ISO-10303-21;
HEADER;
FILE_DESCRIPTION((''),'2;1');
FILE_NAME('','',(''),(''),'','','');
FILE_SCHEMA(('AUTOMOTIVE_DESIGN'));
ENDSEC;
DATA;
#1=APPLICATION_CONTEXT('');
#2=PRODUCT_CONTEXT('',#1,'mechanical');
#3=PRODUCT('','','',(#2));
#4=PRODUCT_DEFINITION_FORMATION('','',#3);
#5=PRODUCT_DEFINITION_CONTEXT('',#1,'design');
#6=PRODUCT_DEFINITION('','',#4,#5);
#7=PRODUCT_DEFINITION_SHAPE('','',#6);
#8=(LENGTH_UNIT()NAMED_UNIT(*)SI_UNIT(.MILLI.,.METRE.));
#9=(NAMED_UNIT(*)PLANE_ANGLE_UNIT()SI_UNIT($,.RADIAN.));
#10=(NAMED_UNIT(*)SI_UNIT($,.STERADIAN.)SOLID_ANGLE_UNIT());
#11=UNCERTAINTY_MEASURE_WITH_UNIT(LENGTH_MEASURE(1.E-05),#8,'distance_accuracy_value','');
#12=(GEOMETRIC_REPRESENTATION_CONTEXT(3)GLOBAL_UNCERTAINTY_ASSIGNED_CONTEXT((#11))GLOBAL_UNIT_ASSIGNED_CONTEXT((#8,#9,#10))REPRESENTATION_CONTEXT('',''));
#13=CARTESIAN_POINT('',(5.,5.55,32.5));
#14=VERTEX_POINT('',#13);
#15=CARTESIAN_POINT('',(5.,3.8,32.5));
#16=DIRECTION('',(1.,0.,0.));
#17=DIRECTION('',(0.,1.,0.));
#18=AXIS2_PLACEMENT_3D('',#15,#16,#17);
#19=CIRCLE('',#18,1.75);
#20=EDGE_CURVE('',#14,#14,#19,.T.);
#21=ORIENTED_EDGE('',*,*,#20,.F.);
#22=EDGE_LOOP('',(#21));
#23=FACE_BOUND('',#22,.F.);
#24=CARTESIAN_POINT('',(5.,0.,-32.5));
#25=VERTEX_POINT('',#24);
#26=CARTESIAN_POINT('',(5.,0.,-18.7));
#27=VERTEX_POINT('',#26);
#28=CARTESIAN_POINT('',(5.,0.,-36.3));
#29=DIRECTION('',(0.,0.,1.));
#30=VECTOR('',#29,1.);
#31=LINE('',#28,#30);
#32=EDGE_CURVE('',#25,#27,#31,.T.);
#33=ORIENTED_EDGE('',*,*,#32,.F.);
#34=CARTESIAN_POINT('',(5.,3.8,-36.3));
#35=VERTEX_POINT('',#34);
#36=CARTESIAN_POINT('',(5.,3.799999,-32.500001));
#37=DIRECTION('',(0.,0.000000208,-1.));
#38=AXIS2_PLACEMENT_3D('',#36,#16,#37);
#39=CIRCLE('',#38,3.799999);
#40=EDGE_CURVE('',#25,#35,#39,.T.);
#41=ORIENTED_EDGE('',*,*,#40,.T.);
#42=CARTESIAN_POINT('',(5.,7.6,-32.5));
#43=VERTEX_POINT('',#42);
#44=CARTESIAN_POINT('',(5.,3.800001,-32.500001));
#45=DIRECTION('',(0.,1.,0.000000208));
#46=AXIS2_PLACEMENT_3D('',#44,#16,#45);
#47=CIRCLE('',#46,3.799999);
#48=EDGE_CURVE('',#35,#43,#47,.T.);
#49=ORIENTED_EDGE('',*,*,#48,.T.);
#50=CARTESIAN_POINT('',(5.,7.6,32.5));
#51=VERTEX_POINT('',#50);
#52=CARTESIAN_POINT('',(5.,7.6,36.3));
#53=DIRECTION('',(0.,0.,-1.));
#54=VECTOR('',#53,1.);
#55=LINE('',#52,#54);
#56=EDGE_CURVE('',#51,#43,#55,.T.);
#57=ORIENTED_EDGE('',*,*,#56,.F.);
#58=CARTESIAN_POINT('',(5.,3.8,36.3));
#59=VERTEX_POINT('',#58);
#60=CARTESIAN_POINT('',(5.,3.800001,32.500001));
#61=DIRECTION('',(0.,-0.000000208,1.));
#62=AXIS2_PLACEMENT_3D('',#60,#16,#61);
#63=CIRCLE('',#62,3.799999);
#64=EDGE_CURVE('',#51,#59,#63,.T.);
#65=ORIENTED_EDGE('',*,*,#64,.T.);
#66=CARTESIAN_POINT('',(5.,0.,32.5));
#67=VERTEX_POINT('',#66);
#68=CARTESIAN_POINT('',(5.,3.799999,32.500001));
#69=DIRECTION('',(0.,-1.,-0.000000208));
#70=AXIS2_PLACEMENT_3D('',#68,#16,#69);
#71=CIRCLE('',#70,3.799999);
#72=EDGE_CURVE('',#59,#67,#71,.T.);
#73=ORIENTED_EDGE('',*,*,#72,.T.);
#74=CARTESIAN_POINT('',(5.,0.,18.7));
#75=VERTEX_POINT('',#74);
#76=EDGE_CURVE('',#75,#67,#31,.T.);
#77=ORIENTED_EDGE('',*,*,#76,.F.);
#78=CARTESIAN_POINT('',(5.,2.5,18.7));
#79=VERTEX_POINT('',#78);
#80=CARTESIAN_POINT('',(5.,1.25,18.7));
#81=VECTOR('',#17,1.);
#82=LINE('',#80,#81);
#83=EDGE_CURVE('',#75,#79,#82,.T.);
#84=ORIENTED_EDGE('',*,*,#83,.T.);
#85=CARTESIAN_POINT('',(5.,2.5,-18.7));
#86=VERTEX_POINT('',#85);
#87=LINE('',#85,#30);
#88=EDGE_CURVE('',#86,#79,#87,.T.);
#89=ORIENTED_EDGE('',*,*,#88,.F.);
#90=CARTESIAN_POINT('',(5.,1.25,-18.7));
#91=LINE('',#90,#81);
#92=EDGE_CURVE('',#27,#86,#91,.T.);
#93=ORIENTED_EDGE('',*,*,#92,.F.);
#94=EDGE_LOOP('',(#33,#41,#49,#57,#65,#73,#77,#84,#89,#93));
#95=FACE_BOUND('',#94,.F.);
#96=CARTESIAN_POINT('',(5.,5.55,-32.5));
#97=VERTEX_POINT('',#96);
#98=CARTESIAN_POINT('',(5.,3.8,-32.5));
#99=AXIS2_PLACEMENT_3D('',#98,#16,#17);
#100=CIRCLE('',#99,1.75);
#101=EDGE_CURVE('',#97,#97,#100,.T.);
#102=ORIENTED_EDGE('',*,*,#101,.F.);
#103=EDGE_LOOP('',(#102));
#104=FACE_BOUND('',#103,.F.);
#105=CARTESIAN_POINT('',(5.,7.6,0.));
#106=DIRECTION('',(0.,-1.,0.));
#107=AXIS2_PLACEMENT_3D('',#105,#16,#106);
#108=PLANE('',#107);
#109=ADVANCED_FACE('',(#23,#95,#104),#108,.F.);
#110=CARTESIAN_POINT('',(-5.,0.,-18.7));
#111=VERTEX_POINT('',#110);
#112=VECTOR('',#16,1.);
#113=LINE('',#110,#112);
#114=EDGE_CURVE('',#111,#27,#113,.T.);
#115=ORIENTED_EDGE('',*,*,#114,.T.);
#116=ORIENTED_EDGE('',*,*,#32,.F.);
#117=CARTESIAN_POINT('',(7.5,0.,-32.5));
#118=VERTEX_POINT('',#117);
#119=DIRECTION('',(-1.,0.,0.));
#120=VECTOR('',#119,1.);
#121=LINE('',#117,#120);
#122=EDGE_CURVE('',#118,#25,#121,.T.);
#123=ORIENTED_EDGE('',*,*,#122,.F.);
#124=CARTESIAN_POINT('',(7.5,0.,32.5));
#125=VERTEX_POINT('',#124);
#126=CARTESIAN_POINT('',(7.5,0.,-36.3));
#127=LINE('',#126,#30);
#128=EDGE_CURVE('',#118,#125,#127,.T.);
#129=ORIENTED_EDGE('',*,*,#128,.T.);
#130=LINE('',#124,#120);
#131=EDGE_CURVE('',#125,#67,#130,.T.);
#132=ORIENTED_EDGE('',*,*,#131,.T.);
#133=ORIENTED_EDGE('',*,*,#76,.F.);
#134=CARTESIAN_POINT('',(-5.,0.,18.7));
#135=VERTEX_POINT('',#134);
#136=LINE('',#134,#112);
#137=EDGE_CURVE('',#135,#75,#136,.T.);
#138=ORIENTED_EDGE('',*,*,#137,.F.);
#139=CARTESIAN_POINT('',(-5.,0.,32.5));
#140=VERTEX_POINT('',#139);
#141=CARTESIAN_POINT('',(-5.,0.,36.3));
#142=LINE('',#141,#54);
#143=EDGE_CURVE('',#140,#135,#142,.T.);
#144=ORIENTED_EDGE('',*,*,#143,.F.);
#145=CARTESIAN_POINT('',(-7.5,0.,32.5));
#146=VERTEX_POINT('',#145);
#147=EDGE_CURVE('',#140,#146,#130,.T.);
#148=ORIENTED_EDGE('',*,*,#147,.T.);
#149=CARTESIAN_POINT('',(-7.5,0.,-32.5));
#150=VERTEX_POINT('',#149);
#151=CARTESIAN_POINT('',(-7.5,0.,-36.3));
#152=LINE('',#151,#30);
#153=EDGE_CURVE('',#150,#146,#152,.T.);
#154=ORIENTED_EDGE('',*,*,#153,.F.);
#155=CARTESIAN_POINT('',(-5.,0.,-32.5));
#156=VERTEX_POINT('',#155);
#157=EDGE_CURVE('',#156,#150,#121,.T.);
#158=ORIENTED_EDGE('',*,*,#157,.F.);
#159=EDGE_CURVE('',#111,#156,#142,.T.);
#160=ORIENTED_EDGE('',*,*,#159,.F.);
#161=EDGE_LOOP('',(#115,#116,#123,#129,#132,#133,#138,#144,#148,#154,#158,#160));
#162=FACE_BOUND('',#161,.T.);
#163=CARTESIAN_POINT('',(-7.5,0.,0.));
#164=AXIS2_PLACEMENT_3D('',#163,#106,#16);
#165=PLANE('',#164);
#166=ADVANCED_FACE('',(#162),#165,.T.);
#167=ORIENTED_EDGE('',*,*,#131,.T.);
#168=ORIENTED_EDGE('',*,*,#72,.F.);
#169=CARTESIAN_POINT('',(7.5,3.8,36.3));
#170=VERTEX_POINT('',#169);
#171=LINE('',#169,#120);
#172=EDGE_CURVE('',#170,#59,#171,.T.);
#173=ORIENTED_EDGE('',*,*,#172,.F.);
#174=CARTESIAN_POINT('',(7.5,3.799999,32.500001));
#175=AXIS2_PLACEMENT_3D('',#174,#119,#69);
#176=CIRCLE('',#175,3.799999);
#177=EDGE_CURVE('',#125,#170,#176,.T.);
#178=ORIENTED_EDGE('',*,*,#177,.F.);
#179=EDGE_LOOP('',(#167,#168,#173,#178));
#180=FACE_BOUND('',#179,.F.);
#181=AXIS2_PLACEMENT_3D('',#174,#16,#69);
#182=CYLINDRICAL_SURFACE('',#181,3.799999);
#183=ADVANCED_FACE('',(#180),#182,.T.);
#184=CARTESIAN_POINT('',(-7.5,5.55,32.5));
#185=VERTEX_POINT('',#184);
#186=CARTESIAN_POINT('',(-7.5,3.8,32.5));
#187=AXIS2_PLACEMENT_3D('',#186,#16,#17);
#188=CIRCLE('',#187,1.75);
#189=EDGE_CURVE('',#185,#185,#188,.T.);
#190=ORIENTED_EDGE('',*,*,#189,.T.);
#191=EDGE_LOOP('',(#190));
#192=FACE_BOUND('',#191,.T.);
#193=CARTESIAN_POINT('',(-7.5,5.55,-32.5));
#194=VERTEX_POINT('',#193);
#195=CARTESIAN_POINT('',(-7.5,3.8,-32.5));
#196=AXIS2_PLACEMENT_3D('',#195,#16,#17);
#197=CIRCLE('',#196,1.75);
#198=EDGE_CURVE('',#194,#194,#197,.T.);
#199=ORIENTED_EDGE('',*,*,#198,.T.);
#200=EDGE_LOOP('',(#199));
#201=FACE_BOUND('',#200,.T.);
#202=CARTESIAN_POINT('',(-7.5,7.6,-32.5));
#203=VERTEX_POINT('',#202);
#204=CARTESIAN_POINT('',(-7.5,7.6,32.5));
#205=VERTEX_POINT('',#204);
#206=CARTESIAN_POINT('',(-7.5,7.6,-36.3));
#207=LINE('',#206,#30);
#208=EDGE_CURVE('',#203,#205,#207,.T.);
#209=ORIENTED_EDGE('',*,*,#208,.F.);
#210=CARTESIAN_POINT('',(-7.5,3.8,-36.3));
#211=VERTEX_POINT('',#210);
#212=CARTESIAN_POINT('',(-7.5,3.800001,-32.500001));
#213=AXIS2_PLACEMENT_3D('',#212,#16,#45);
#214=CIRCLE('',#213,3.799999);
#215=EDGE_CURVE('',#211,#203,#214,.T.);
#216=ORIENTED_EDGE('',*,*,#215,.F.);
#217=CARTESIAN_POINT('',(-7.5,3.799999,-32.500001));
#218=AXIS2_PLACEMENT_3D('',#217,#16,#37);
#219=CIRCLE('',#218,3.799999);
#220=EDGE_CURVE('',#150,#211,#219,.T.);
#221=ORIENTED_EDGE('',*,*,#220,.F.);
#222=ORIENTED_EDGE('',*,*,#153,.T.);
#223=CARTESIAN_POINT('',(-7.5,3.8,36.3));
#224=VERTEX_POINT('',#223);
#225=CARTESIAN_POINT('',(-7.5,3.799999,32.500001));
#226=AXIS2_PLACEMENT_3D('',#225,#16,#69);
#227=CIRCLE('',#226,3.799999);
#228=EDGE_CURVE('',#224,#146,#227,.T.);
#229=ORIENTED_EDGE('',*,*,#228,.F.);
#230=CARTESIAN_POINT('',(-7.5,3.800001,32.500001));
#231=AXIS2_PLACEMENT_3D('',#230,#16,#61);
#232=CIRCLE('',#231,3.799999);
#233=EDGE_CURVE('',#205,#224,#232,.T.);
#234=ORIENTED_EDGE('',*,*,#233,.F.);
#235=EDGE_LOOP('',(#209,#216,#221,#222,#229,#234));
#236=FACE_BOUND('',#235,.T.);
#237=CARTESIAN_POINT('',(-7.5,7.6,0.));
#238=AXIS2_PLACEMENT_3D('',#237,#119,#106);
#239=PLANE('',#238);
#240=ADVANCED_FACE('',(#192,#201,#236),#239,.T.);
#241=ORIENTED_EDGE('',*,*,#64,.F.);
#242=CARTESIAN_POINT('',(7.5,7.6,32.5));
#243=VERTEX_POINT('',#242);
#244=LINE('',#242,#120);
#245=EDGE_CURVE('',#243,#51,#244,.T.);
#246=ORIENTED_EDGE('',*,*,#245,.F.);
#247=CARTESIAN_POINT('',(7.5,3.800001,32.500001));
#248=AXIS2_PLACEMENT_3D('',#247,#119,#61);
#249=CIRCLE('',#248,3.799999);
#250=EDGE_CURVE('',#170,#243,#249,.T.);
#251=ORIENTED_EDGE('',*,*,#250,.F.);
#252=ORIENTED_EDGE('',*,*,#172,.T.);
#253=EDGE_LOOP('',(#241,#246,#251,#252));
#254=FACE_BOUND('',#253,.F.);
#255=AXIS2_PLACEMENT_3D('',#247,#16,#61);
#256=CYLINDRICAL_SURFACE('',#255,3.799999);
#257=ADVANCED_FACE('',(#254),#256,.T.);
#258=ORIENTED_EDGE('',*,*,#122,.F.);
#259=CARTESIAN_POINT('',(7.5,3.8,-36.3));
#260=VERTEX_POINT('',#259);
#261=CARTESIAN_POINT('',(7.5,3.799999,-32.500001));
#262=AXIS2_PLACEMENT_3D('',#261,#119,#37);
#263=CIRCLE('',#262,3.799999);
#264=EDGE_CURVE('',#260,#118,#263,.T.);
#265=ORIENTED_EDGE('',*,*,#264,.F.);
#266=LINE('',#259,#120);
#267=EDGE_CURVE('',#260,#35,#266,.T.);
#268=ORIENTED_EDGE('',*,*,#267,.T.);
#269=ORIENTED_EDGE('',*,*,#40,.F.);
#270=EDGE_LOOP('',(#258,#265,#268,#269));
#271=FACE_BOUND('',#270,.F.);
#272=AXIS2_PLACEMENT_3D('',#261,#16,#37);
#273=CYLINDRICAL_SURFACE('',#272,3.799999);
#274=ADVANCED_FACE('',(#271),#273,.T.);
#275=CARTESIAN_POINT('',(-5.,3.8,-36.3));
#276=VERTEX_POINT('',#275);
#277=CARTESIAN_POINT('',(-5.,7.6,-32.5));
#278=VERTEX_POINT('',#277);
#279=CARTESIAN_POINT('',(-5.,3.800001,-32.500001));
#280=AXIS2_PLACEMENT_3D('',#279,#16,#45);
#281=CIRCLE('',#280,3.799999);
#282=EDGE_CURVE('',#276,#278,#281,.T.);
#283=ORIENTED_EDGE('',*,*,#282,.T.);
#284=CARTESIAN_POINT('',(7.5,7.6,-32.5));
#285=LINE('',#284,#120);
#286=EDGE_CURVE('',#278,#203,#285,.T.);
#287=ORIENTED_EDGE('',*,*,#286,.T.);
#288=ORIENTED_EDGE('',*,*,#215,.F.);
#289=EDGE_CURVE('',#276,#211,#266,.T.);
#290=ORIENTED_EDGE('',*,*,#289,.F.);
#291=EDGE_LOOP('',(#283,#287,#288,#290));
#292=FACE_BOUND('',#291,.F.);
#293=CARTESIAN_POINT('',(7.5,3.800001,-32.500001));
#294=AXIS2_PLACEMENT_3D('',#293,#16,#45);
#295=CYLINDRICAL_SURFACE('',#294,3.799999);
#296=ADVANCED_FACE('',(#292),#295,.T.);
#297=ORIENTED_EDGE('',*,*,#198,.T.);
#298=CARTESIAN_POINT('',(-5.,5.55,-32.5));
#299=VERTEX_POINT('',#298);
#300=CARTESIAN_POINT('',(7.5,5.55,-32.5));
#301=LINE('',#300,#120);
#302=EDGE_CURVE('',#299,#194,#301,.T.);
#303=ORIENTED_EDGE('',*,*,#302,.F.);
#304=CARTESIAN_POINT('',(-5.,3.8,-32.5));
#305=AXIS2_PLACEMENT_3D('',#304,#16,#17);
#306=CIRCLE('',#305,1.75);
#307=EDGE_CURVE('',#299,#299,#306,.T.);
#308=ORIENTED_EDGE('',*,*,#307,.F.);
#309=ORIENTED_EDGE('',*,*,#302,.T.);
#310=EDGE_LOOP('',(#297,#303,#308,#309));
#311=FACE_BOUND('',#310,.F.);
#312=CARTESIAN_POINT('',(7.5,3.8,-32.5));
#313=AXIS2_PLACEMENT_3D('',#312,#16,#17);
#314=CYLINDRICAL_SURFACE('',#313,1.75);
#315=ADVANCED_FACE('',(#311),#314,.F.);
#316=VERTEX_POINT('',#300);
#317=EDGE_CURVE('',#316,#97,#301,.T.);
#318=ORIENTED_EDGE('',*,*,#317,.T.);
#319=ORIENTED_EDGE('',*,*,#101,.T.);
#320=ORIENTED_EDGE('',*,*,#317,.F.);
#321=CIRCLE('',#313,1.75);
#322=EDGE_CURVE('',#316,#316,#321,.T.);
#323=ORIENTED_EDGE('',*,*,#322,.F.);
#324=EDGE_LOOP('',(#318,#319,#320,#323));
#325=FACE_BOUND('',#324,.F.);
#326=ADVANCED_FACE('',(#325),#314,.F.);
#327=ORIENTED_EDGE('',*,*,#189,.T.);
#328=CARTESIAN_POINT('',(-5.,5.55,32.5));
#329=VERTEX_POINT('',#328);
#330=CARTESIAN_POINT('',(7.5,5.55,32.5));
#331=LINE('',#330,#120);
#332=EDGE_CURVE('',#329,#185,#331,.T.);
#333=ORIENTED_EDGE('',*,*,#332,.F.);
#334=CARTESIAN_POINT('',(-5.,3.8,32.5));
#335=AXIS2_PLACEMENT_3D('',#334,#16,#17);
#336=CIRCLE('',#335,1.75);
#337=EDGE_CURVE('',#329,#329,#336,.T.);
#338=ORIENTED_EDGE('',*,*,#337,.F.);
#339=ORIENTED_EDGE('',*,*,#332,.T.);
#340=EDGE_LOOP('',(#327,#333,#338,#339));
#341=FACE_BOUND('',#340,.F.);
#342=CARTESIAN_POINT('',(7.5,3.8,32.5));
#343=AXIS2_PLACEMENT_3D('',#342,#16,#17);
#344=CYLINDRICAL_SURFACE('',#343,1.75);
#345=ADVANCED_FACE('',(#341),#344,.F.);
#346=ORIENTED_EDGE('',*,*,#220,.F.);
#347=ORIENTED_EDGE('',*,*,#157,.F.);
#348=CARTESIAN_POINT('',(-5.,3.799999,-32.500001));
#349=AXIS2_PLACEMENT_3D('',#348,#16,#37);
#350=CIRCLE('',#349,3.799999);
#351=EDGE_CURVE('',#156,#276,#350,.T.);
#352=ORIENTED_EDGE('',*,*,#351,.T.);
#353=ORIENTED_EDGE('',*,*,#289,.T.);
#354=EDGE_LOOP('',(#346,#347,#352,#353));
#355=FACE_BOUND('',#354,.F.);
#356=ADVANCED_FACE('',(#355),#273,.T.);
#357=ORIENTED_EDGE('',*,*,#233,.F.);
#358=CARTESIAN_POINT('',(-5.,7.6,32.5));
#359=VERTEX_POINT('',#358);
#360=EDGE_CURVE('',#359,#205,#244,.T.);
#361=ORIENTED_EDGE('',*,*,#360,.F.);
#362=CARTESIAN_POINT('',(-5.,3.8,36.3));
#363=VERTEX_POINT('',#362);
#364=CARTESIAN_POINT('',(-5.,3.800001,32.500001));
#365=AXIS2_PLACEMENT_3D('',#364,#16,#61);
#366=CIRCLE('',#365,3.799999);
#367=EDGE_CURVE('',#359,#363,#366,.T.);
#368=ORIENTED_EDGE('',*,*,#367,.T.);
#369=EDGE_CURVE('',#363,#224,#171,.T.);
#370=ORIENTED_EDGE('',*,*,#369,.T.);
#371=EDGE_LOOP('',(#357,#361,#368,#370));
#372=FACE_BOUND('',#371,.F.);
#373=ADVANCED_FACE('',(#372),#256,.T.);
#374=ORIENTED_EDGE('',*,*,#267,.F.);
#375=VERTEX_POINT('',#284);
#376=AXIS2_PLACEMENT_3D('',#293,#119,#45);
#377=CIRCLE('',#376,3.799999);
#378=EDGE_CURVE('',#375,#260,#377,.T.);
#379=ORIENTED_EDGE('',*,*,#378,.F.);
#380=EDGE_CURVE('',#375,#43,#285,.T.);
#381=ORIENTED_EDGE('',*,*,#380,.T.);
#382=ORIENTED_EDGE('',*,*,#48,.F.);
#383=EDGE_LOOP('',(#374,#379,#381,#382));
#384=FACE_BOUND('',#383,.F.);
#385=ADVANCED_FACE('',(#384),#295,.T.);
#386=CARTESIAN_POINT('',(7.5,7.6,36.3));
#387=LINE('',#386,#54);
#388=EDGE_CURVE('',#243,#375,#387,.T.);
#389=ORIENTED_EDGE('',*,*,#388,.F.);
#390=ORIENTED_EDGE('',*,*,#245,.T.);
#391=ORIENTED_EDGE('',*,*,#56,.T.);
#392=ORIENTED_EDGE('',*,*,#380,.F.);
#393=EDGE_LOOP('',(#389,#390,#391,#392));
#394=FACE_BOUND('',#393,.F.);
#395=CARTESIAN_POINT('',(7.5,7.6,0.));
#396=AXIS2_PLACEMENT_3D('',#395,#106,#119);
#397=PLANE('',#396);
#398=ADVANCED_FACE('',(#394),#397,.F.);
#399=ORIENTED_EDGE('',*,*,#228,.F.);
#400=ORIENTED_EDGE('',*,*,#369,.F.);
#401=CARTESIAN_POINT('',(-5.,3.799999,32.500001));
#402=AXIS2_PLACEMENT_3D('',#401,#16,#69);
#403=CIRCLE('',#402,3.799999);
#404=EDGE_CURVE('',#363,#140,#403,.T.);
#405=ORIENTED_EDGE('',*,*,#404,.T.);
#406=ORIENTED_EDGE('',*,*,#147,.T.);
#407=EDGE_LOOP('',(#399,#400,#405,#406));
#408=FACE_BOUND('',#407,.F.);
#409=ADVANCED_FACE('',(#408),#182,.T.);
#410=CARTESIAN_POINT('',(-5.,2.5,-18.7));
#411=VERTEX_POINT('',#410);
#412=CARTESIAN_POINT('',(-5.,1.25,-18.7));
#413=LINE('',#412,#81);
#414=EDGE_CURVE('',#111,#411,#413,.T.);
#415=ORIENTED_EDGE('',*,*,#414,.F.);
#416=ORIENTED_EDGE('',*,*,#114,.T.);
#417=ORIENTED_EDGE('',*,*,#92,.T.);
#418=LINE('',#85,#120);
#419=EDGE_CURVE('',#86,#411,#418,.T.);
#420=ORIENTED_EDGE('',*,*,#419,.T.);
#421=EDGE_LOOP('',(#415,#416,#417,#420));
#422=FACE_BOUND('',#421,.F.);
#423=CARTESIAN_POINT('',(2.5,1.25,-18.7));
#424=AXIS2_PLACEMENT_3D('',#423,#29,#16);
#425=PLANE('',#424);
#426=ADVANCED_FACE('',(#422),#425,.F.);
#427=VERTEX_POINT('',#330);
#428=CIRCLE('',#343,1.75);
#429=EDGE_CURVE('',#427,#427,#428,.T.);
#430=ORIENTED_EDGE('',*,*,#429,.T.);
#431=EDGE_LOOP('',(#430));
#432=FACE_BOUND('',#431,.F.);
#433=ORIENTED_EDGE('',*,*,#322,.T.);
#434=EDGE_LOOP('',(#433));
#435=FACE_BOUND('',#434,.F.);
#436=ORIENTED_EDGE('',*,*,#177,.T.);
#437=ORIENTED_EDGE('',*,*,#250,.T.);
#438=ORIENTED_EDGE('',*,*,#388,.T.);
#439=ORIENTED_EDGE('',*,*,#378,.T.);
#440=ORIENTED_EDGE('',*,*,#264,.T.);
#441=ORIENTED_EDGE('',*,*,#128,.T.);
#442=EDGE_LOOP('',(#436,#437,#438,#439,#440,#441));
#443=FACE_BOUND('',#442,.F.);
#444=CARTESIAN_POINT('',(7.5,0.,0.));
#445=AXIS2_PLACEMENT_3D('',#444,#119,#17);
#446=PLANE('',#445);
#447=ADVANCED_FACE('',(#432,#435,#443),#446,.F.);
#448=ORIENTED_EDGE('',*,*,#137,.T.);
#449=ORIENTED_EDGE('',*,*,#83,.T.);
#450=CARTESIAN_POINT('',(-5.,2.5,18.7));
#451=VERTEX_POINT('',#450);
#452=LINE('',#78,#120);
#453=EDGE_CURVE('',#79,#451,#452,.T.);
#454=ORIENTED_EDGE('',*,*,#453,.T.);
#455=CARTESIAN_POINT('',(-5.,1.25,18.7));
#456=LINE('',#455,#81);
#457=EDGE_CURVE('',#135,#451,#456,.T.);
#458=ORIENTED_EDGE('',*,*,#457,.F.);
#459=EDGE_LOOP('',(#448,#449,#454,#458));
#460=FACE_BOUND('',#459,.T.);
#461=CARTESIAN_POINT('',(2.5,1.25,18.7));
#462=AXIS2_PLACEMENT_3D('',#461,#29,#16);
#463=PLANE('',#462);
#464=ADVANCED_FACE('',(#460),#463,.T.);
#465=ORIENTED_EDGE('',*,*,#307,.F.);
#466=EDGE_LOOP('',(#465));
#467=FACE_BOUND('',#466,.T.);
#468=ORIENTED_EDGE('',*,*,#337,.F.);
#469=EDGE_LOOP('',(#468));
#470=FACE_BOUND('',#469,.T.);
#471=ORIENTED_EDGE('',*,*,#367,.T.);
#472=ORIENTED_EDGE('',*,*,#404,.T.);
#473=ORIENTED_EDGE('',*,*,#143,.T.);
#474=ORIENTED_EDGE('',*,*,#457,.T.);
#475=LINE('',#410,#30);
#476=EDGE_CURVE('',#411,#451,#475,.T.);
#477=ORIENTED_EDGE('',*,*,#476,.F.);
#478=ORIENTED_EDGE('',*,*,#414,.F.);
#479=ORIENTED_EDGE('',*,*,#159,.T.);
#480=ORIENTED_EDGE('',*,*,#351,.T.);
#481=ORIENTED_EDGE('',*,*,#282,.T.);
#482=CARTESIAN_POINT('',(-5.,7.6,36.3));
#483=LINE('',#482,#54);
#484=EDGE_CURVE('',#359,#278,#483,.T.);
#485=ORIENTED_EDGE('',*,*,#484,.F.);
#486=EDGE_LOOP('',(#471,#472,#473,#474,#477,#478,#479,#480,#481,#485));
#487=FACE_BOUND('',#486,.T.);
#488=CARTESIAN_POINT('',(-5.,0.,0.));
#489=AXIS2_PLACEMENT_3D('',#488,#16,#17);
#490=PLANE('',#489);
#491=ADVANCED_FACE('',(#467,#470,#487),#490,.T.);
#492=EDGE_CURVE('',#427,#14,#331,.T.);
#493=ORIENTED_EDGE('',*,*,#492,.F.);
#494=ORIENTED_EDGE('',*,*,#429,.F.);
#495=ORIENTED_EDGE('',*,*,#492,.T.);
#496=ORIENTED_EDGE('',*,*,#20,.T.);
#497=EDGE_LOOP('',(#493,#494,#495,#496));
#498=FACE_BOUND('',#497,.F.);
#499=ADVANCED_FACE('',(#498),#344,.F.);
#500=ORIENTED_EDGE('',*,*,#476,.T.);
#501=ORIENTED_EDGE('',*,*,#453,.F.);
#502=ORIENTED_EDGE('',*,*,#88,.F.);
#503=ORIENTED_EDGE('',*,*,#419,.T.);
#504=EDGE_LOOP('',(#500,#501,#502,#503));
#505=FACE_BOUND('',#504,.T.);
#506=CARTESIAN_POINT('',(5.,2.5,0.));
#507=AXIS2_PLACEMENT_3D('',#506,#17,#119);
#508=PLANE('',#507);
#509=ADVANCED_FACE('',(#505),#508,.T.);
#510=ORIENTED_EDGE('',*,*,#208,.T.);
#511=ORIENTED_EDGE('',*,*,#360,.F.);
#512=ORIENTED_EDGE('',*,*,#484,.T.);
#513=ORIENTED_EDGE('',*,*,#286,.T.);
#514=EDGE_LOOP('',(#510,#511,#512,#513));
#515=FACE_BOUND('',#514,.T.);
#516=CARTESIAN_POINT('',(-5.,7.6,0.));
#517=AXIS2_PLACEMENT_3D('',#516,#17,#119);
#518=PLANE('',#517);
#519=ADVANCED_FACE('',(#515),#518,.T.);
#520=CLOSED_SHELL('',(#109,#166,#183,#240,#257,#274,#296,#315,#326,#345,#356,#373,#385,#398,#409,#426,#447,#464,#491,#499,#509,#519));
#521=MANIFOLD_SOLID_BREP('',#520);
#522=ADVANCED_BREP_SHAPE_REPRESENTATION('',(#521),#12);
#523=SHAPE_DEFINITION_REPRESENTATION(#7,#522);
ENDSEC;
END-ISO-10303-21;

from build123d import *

# Parameters (mm, degrees)
F0_W     = 5
F0_H     = 2.5
F1_DEPTH = 18.7
F2_DEPTH = 36.3
F3_R     = 1.75
F4_DEPTH = 15.001


with BuildPart() as f1:
    # F0 (on Top) → F1 (new body, symmetric)
    with BuildSketch(Plane.XY):
        with Locations((2.5, 1.25)):
            Rectangle(F0_W, F0_H)
        with Locations((-2.5, 1.25)):
            Rectangle(F0_W, F0_H)
    extrude(amount=F1_DEPTH, both=True)

    # F0 (on Top) → F2 (join, symmetric)
    with BuildSketch(Plane.XY):
        Polygon((5, 7.6), (5, 2.5), (5, 0), (7.5, 0), (7.5, 7.6), align=None)
        Polygon((-5, 7.6), (-7.5, 7.6), (-7.5, 0), (-5, 0), (-5, 2.5), align=None)
    extrude(amount=F2_DEPTH, both=True)

    # F3 (on face) → F4 (cut, through all)
    with BuildSketch(Plane.YZ.offset(7.5)):
        with Locations((3.8, 32.5)):
            Circle(F3_R)
        Polygon((0, 36.3), (3.8, 36.3), (7.6, 36.3), (7.6, 42.815186), (0, 42.815186), align=None)
        with BuildLine():
            ThreePointArc((3.8, 36.3), (6.487006, 35.187006), (7.6, 32.5))
            Line((7.6, 32.5), (7.6, 36.3))
            Line((7.6, 36.3), (3.8, 36.3))
        make_face()
        with BuildLine():
            Line((0, 36.3), (0, 32.5))
            ThreePointArc((0, 32.5), (1.112994, 35.187006), (3.8, 36.3))
            Line((3.8, 36.3), (0, 36.3))
        make_face()
        with Locations((3.8, -32.5)):
            Circle(F3_R)
        Polygon((7.6, -36.3), (3.8, -36.3), (0, -36.3), (0, -42.815186), (7.6, -42.815186), align=None)
        with BuildLine():
            Line((7.6, -36.3), (7.6, -32.5))
            ThreePointArc((7.6, -32.5), (6.487006, -35.187006), (3.8, -36.3))
            Line((3.8, -36.3), (7.6, -36.3))
        make_face()
        with BuildLine():
            ThreePointArc((3.8, -36.3), (1.112994, -35.187006), (0, -32.5))
            Line((0, -32.5), (0, -36.3))
            Line((0, -36.3), (3.8, -36.3))
        make_face()
    extrude(amount=-F4_DEPTH, mode=Mode.SUBTRACT)


solid = f1.part
